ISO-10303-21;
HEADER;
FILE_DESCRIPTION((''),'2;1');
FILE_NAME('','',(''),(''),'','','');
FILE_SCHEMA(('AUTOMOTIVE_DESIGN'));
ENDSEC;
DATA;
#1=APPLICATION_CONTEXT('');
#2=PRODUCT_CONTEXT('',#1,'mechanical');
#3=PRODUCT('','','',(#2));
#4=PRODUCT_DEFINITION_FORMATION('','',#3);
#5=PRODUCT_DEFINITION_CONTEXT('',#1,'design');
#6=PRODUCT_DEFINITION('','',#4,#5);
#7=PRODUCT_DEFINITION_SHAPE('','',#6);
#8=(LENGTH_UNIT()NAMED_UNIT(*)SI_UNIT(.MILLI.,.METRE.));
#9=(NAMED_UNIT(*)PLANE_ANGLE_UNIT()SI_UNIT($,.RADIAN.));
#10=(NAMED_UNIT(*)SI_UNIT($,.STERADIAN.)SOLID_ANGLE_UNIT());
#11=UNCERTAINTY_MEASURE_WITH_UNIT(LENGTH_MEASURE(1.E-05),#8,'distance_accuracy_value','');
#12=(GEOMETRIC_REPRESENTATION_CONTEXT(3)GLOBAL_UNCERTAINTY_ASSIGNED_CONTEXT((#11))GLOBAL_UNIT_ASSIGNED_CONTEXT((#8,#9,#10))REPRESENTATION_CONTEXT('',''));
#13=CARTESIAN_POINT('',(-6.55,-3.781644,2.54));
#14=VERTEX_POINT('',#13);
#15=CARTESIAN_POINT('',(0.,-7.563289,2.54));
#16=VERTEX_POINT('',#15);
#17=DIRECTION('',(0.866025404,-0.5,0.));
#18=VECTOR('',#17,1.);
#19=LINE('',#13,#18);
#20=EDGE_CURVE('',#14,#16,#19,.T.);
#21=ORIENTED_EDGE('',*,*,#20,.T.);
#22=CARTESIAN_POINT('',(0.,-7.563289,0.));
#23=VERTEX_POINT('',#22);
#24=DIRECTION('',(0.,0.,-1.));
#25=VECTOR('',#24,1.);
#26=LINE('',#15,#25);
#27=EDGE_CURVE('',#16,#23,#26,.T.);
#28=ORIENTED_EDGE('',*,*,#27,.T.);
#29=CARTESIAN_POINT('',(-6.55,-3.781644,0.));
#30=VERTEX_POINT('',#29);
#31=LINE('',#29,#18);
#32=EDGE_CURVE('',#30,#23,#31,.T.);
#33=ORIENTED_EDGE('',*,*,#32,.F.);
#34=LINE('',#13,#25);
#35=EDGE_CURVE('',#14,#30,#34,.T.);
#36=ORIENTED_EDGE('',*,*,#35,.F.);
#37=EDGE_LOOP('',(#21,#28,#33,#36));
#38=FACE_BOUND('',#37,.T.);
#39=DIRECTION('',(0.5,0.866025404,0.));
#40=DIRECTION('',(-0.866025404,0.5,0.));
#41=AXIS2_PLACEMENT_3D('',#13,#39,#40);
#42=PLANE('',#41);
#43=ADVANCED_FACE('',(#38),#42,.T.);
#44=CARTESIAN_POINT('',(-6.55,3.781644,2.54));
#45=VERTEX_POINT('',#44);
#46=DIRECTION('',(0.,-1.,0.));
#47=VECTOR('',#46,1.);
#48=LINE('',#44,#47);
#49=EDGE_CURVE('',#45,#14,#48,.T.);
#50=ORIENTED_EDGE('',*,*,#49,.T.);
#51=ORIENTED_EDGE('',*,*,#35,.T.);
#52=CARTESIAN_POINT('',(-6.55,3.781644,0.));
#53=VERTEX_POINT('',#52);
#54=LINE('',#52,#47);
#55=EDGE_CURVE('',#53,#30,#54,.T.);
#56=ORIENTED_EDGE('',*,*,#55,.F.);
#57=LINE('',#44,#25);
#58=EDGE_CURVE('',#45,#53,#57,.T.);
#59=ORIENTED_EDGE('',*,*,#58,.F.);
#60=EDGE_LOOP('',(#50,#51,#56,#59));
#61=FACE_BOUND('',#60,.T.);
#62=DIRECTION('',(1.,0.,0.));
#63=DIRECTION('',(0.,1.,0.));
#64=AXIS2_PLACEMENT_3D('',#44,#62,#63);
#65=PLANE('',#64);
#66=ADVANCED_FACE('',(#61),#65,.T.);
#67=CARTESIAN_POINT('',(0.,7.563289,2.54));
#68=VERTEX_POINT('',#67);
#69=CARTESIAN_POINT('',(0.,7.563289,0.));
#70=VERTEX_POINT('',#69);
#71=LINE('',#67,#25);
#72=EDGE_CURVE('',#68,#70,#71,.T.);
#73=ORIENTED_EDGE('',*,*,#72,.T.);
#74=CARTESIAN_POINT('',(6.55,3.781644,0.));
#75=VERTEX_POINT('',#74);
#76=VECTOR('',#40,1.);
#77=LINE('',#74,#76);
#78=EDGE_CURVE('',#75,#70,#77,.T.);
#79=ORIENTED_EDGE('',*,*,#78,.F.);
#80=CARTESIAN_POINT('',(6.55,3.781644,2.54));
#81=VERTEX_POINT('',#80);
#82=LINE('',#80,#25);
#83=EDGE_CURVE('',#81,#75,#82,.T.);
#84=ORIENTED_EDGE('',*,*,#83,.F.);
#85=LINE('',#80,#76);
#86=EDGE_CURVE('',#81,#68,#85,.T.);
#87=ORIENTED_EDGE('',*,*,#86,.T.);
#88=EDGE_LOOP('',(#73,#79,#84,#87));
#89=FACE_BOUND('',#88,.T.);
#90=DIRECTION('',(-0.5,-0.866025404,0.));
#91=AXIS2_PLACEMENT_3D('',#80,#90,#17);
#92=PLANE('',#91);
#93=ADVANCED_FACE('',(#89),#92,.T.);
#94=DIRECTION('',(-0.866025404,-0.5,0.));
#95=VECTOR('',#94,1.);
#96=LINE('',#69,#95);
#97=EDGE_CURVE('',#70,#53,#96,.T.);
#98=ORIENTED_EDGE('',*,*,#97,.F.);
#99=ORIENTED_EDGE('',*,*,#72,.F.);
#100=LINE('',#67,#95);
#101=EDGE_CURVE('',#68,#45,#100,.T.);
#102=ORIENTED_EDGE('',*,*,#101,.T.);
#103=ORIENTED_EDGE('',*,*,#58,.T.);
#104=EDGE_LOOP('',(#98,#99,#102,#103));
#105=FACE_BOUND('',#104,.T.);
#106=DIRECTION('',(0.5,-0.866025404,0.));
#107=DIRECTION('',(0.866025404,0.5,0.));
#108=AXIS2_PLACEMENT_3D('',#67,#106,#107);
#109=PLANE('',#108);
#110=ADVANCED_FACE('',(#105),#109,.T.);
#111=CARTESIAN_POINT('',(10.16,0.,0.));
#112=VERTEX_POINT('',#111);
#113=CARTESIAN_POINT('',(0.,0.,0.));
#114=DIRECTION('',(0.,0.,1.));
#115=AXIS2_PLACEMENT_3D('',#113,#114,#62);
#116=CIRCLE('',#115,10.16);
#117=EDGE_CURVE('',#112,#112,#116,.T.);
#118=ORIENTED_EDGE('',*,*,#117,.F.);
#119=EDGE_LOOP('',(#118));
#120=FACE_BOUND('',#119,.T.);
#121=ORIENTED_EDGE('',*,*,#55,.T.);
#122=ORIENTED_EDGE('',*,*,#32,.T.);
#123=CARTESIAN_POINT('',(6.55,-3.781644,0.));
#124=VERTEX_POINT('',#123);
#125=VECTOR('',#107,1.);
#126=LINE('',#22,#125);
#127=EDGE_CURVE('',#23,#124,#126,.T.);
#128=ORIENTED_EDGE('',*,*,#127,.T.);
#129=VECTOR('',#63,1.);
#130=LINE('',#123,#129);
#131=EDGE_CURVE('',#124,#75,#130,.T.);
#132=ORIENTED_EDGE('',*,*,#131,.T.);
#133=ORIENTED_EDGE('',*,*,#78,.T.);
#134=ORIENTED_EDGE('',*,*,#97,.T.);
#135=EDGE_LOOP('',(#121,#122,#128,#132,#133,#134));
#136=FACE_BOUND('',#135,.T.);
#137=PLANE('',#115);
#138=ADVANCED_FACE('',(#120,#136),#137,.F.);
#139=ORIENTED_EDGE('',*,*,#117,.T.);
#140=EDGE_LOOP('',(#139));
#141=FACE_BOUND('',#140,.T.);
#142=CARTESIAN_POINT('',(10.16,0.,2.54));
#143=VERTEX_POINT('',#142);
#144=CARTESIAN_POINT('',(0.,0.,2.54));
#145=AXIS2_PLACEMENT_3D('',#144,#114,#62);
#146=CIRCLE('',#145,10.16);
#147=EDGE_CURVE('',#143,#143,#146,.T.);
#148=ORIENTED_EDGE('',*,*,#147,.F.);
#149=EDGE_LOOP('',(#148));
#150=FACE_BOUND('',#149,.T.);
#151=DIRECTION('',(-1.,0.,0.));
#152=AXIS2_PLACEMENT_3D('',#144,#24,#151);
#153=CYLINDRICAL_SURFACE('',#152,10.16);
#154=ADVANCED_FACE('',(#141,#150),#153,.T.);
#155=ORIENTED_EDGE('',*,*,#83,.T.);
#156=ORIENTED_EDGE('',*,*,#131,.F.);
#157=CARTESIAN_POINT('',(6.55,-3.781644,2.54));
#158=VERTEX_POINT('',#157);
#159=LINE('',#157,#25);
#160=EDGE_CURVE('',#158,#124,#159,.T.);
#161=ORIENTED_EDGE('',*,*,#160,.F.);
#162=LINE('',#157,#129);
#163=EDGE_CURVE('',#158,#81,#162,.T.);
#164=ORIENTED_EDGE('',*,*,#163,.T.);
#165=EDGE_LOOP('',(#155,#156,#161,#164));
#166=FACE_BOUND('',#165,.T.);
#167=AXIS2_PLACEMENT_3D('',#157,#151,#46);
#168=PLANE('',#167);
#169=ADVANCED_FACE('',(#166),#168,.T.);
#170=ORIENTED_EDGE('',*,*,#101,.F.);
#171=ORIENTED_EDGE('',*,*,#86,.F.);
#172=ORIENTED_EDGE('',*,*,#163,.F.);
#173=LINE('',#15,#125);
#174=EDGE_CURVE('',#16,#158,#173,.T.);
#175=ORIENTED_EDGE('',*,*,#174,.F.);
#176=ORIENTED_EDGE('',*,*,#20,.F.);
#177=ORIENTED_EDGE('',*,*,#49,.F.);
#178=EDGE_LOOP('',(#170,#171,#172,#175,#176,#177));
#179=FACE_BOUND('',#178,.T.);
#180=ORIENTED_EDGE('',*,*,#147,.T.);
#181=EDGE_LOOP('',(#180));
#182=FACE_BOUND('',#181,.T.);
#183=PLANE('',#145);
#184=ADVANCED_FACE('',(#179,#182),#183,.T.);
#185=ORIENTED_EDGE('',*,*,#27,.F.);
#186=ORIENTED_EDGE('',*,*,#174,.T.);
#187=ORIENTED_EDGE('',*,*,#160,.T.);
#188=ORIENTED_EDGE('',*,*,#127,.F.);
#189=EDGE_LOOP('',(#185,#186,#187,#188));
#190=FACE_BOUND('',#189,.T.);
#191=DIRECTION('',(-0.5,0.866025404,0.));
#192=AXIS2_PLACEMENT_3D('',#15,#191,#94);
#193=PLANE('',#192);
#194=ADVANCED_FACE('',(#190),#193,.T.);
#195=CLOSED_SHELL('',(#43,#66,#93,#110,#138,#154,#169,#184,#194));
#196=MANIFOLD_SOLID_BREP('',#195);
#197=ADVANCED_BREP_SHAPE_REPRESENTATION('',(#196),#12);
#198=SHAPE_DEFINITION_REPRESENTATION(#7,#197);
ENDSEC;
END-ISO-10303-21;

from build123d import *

# Parameters (mm, degrees)
SKETCH1_R           = 10.16
BOSS_EXTRUDE1_DEPTH = 2.54


with BuildPart() as part:
    # Sketch1 → Boss-Extrude1 (new body)
    with BuildSketch(Plane.XY):
        Circle(SKETCH1_R)
        Polygon((0, 7.563288526), (-6.55, 3.781644263), (-6.55, -3.781644263), (0, -7.563288526), (6.55, -3.781644263), (6.55, 3.781644263), align=None, mode=Mode.SUBTRACT)
    extrude(amount=BOSS_EXTRUDE1_DEPTH)


solid = part.part
